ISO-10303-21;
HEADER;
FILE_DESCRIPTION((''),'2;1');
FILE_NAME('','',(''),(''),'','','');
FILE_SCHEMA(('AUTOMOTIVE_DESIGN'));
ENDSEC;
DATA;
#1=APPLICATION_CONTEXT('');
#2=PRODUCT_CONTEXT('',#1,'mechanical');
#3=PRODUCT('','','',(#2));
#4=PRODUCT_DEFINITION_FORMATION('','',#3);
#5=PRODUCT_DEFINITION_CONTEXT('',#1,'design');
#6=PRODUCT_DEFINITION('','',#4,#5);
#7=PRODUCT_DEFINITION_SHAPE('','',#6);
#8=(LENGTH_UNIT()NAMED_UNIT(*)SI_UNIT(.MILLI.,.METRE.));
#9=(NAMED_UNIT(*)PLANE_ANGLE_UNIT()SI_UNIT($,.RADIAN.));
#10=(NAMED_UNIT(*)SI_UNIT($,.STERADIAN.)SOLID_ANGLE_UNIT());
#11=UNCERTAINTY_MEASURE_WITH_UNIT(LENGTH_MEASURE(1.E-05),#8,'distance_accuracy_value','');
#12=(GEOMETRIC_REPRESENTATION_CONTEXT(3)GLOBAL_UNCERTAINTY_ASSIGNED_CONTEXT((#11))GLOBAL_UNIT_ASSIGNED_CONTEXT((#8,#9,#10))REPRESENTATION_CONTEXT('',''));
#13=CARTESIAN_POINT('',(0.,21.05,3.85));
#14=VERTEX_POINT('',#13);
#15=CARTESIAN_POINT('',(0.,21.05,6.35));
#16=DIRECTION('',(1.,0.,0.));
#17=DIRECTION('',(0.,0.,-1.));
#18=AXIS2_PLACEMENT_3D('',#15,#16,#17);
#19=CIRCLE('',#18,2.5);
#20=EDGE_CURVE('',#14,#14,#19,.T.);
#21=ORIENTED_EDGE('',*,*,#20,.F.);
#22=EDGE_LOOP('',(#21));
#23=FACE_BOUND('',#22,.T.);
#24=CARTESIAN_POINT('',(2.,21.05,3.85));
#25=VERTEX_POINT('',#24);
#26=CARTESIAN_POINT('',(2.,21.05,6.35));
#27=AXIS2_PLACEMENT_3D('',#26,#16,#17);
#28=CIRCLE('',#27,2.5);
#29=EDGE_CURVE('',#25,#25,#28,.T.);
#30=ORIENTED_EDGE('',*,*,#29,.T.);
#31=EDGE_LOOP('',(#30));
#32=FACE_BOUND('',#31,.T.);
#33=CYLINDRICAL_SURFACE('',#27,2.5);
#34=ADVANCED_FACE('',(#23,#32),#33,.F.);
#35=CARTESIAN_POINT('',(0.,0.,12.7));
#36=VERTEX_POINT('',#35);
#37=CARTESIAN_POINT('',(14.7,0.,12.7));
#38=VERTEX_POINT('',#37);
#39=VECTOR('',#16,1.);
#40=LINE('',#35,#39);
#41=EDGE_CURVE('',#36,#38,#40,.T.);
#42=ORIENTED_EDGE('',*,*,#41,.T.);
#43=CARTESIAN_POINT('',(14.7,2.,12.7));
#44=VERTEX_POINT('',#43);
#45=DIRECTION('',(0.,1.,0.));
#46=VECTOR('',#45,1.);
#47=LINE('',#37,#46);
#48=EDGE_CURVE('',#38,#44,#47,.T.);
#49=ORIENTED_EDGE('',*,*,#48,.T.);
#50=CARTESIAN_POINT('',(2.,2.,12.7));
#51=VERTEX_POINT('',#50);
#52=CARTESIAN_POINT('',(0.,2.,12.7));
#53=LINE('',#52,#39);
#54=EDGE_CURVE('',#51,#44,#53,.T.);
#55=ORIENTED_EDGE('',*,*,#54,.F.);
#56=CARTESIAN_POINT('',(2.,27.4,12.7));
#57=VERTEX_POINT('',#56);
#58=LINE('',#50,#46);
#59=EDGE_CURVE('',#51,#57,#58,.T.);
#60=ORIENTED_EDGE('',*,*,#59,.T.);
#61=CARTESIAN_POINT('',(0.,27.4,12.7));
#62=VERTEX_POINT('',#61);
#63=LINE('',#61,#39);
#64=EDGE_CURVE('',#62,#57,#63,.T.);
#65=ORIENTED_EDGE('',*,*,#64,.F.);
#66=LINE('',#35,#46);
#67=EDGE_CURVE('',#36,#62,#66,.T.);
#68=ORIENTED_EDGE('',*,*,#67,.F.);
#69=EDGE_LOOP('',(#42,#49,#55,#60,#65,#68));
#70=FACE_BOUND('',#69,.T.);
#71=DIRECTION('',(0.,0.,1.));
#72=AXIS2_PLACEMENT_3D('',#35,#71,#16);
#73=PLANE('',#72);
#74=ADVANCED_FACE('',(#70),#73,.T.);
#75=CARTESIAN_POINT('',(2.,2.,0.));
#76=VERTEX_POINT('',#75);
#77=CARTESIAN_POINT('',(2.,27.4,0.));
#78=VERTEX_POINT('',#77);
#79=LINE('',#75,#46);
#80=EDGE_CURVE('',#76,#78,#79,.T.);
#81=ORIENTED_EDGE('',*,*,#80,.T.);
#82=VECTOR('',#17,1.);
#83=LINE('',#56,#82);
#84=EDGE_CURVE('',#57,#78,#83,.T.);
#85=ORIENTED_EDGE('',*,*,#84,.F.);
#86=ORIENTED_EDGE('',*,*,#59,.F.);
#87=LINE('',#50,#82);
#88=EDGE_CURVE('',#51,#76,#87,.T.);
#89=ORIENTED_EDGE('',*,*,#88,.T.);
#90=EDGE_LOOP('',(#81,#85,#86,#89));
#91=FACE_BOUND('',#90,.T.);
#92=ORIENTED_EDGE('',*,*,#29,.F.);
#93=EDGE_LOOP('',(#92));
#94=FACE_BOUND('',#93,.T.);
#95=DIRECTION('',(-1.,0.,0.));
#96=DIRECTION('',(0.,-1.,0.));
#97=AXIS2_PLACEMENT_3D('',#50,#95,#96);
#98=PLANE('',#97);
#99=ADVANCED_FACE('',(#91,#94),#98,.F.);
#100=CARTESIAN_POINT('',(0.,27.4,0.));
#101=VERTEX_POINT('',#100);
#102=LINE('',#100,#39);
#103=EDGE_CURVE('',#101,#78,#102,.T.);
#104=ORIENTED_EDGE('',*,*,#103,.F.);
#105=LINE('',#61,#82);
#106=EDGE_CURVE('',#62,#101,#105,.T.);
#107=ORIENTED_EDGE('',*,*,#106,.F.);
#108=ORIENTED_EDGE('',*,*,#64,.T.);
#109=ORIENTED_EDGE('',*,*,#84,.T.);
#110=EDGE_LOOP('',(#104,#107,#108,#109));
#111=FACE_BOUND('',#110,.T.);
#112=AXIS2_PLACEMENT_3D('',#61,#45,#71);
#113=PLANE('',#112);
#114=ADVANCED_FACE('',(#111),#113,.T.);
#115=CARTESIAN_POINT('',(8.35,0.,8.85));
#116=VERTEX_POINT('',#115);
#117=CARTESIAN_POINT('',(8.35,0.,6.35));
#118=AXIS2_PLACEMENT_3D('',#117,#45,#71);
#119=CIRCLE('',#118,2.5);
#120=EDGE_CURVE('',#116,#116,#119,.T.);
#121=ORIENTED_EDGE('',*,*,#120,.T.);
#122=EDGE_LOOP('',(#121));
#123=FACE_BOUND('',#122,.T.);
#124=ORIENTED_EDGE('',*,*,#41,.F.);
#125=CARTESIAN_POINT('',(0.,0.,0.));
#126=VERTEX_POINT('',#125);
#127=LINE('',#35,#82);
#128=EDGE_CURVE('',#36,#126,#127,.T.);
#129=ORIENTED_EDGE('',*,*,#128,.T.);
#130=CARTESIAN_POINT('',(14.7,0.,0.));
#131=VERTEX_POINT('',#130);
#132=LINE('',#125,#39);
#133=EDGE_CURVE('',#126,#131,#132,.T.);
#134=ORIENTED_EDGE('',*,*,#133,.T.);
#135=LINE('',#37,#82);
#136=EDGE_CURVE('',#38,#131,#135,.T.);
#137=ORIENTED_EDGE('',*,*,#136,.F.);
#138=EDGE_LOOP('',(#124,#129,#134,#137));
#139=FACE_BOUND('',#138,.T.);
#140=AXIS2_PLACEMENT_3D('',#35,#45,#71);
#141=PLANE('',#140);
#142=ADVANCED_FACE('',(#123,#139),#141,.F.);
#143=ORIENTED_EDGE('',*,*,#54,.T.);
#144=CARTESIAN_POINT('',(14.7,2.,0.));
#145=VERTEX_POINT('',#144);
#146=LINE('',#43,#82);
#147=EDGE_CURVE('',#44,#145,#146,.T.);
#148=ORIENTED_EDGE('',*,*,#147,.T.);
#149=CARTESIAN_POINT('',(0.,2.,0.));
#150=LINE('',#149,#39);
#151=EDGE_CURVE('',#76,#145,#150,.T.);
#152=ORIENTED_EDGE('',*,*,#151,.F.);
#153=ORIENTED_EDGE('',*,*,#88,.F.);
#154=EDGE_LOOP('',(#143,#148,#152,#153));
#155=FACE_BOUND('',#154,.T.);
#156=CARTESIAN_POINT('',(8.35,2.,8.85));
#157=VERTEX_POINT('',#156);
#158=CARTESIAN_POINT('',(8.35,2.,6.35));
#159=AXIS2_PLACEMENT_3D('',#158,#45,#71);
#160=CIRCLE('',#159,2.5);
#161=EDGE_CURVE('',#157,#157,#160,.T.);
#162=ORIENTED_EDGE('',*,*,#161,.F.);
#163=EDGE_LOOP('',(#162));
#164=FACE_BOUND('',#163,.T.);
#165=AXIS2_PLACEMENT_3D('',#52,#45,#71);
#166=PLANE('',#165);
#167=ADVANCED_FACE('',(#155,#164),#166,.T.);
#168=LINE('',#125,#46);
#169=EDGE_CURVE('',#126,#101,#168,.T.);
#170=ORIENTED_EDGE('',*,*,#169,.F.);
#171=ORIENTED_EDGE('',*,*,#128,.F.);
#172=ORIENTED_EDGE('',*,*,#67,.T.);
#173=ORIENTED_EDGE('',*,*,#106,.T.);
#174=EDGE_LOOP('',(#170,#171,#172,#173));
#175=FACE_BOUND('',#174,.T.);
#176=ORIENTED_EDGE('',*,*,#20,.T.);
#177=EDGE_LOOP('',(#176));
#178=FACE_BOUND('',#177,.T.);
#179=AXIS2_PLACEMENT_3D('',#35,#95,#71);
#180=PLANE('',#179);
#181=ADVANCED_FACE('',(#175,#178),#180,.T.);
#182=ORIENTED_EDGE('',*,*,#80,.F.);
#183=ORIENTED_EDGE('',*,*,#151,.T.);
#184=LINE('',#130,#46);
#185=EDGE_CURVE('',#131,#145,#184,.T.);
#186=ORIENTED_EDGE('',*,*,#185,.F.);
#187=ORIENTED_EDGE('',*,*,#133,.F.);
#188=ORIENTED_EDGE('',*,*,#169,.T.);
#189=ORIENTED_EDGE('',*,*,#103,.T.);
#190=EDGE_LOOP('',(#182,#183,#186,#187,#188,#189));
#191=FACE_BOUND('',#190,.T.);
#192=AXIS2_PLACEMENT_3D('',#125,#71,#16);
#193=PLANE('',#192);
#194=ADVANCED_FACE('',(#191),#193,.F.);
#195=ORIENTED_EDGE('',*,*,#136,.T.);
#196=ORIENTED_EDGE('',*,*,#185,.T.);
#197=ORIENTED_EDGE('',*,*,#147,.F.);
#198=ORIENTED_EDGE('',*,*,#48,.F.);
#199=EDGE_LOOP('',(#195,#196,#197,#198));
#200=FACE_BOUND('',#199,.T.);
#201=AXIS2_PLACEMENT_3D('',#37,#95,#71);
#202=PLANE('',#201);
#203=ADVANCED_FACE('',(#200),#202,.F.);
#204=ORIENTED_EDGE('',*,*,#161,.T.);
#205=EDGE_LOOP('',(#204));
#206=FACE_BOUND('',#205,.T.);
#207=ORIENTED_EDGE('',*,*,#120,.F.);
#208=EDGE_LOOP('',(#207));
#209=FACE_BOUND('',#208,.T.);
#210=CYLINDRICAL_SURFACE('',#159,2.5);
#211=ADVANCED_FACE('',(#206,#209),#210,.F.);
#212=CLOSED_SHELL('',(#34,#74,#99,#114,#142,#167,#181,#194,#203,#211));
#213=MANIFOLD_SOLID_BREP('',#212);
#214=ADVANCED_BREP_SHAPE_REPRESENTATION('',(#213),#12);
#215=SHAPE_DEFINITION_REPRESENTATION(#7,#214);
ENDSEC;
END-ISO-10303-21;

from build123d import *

# Parameters (mm, degrees)
SKETCH1_W             = 14.7
SKETCH1_H             = 2
SKETCH1_W_2           = 2
SKETCH1_H_2           = 25.4
BOSS_EXTRUDE1_DEPTH   = 12.7
F_5_0MM_DOWEL_HOLE1_D = 5
F_5_0MM_DOWEL_HOLE2_D = 5


with BuildPart() as part:
    # Sketch1 → Boss-Extrude1 (new body)
    with BuildSketch(Plane.XY):
        with Locations((7.35, 1)):
            Rectangle(SKETCH1_W, SKETCH1_H)
        with Locations((1, 14.7)):
            Rectangle(SKETCH1_W_2, SKETCH1_H_2)
    extrude(amount=BOSS_EXTRUDE1_DEPTH)

    # Ø5.0mm Dowel Hole1 (through all)
    with Locations(Plane(origin=(2, 0, 0), x_dir=(0, 0, -1), z_dir=(1, 0, 0))):
        with Locations((-6.35, 21.05)):
            Hole(F_5_0MM_DOWEL_HOLE1_D / 2)

    # Ø5.0mm Dowel Hole2 (through all)
    with Locations(Plane(origin=(0, 2, 0), x_dir=(1, 0, 0), z_dir=(0, 1, 0))):
        with Locations((8.35, -6.35)):
            Hole(F_5_0MM_DOWEL_HOLE2_D / 2)


solid = part.part
